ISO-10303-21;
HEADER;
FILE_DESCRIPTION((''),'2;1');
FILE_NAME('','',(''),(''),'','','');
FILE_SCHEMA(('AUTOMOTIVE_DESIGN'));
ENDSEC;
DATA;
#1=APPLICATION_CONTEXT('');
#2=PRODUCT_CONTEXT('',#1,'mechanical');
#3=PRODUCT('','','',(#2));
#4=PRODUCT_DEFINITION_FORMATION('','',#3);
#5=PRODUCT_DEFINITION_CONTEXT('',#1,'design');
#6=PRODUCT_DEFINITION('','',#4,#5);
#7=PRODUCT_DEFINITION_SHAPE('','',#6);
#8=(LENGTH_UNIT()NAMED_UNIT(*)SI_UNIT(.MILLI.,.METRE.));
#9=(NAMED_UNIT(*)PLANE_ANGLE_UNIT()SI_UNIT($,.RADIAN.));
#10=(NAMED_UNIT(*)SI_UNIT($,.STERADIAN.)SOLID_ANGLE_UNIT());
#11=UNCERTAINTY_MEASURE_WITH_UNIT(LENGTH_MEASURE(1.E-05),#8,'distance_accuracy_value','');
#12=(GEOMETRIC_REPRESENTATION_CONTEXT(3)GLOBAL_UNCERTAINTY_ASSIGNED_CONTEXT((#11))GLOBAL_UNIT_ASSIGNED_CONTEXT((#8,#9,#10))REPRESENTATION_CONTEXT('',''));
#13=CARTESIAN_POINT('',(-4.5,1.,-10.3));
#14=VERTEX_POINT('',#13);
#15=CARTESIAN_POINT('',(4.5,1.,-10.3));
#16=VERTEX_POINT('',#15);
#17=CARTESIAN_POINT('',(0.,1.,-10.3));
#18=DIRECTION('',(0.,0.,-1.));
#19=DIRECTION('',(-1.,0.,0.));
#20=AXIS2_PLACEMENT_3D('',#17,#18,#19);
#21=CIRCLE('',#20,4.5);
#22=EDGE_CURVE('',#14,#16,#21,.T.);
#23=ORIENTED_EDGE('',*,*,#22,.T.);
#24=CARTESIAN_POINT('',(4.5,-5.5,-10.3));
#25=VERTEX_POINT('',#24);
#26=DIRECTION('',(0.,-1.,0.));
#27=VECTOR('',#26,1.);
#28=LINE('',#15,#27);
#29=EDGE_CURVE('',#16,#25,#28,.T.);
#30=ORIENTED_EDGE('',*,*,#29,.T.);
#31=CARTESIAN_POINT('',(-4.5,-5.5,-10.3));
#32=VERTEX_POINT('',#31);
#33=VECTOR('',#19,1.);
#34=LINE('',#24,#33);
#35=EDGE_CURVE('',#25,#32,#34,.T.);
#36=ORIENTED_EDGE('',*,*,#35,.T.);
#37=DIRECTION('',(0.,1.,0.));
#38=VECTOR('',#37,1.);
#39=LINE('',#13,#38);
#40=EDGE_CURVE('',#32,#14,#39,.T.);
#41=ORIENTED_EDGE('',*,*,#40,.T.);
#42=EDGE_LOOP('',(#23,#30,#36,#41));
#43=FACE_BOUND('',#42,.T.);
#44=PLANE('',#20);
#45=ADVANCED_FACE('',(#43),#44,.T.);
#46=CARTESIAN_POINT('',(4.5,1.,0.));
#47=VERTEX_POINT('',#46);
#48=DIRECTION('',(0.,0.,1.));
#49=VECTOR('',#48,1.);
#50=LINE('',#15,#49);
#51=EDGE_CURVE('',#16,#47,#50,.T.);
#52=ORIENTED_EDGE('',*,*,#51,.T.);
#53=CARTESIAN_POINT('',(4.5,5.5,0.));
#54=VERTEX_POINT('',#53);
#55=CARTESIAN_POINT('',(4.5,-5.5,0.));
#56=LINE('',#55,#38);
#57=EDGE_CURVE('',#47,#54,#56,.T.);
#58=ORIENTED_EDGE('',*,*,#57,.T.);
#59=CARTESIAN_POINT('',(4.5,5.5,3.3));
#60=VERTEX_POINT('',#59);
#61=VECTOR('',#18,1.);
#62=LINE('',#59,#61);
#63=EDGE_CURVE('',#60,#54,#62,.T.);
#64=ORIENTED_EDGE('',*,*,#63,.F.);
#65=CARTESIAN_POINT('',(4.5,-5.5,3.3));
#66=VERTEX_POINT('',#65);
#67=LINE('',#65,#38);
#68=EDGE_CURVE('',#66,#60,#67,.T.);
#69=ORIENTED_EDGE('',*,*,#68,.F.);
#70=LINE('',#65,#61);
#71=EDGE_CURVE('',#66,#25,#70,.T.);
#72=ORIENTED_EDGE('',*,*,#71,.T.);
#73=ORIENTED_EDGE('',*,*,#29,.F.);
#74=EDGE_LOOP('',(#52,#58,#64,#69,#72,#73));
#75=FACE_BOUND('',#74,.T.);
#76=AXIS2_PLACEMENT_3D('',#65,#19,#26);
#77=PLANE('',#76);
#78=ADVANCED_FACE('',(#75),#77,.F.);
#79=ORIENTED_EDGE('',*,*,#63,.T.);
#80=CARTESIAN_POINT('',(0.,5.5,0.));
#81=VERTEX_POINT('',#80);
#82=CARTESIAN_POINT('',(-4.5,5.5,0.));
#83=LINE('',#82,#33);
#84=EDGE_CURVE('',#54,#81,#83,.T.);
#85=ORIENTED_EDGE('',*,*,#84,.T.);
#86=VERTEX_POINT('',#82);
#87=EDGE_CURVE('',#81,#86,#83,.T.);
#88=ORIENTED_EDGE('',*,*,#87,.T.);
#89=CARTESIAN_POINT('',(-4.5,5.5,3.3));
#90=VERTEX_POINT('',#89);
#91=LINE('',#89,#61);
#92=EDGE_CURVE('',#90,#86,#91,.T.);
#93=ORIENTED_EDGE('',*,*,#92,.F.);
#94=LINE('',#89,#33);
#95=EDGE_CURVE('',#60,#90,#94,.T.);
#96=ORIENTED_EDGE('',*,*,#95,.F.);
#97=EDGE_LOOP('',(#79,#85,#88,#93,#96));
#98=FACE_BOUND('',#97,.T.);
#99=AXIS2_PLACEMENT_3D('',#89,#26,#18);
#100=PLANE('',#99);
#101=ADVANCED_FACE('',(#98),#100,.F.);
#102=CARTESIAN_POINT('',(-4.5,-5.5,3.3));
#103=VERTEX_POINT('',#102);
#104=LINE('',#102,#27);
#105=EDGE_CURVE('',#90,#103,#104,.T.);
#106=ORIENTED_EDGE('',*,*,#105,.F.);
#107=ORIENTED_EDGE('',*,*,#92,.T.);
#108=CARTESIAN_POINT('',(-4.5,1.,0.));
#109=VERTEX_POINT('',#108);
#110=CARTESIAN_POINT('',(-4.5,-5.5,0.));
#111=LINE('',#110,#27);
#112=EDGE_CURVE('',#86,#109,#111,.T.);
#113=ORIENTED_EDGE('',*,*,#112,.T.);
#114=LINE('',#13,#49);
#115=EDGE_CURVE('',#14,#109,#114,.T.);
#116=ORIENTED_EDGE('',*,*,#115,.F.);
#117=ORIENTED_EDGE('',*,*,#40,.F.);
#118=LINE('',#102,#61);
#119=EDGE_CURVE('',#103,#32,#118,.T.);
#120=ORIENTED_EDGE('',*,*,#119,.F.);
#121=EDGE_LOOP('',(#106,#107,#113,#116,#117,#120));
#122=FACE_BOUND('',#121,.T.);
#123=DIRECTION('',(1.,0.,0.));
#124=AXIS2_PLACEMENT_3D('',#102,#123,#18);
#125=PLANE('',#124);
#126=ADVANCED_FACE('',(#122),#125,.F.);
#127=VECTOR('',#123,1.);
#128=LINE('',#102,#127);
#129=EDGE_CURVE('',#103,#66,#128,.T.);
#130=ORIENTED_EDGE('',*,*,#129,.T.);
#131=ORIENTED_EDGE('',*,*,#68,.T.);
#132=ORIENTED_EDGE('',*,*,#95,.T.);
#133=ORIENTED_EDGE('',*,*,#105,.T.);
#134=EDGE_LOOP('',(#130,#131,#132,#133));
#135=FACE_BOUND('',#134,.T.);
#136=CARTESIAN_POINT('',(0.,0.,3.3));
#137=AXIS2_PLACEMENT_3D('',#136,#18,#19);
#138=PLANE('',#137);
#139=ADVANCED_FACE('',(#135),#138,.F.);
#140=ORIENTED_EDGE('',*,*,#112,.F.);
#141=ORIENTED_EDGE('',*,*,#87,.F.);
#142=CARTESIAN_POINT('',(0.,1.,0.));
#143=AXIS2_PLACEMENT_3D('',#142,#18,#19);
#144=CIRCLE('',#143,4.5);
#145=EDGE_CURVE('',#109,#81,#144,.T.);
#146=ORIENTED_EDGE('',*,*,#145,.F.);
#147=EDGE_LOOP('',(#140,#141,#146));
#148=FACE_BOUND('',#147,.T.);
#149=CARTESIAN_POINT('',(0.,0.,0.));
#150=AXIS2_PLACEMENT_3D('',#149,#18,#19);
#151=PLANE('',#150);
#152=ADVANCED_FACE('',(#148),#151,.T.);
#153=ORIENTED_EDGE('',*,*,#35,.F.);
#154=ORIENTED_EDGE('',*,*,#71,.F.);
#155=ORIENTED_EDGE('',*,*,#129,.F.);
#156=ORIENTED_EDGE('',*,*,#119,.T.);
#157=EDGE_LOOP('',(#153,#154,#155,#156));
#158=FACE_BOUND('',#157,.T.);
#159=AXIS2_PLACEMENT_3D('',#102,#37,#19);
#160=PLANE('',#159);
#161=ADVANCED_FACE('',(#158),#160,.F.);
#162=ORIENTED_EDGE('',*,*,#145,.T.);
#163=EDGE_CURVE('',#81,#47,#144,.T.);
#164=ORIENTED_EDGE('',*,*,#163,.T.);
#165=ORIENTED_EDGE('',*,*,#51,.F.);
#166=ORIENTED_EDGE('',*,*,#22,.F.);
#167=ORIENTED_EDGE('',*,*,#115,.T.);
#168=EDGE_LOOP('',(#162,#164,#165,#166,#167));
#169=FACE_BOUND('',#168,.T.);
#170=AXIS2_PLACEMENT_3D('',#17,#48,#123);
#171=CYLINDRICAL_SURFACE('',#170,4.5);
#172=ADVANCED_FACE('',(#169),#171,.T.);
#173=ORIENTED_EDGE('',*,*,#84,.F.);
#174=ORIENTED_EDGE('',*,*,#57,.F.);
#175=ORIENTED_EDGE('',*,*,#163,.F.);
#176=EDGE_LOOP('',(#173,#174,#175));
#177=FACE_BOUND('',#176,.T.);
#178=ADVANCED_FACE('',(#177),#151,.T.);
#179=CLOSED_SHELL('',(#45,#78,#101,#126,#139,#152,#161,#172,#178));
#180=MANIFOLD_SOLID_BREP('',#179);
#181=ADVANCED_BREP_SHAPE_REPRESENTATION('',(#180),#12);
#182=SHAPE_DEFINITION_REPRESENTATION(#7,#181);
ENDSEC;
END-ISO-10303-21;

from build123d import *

# Parameters (mm, degrees)
SKETCH1_W           = 9
SKETCH1_H           = 11
BOSS_EXTRUDE1_DEPTH = 3.3
BOSS_EXTRUDE2_DEPTH = 10.3


with BuildPart() as part:
    # Sketch1 → Boss-Extrude1 (new body)
    with BuildSketch(Plane.XY):
        Rectangle(SKETCH1_W, SKETCH1_H)
    extrude(amount=BOSS_EXTRUDE1_DEPTH)

    # Sketch2 → Boss-Extrude2 (add)
    with BuildSketch(Plane(origin=(0, 0, 0), x_dir=(-1, 0, 0), z_dir=(0, 0, -1))):
        with BuildLine():
            Line((-4.5, 1), (-4.5, -5.5))
            Line((-4.5, -5.5), (4.5, -5.5))
            Line((4.5, -5.5), (4.5, 1))
            ThreePointArc((4.5, 1), (0, 5.5), (-4.5, 1))
        make_face()
    extrude(amount=BOSS_EXTRUDE2_DEPTH)


solid = part.part
